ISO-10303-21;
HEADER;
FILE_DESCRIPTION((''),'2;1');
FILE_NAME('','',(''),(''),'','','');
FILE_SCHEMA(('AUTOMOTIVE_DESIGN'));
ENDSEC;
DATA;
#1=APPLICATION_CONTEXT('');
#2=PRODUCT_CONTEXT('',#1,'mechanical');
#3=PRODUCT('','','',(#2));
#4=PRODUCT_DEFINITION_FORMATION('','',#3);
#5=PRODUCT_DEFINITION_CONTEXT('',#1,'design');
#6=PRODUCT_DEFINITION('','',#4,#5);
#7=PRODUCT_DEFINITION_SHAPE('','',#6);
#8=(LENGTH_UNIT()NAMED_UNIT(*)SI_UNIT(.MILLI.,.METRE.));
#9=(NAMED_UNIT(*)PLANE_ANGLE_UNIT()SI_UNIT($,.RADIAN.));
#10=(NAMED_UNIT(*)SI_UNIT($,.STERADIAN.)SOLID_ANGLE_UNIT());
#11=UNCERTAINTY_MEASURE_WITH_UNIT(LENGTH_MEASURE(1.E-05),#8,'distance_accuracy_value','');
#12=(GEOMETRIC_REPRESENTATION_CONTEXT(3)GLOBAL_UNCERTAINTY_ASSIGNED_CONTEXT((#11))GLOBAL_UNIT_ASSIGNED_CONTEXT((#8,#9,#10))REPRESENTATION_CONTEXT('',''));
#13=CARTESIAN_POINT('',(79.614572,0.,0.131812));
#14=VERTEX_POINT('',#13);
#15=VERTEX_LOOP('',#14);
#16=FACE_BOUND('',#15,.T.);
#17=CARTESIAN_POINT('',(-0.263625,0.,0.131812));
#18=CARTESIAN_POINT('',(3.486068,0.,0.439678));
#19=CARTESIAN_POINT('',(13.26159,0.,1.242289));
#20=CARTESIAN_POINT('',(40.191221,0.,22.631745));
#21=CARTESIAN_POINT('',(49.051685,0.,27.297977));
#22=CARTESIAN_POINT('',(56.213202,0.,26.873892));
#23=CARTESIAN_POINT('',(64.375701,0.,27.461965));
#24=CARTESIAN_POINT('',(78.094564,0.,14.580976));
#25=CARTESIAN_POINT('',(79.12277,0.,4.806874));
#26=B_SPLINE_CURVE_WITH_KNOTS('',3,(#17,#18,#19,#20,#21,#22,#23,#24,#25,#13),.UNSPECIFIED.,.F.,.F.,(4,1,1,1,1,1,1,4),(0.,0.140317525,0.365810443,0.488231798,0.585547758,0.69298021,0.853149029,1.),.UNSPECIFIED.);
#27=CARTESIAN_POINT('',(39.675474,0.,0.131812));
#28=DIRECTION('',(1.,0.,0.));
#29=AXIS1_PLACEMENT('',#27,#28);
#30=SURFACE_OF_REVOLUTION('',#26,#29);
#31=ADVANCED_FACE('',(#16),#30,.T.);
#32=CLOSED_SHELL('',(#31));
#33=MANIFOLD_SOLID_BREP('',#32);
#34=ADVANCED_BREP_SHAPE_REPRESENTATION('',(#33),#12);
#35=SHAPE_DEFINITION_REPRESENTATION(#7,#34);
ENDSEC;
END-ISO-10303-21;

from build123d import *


with BuildPart() as f1:
    # F0 (on Front) → F1 (revolve)
    with BuildSketch(Plane.XZ):
        with BuildLine():
            add(Edge.make_bspline(
                [(-0.263624941, 0.131812194), (3.4860684087, 0.4396776755), (13.2615899292, 1.2422888116), (40.191221329, 22.6317453831), (49.0516848418, 27.2979772116), (56.2132017568, 26.8738915531), (64.3757014133, 27.4619647917), (78.0945644503, 14.5809758349), (79.1227700726, 4.8068736755), (79.614572227, 0.131812194)],
                knots=[0, 0, 0, 0, 0.1403175252, 0.3658104434, 0.4882317984, 0.5855477582, 0.6929802101, 0.8531490289, 1, 1, 1, 1], degree=3))
            Line((-0.263624941, 0.131812194), (79.614572227, 0.131812194))
        make_face()
    revolve(axis=Axis((39.675473643, 0, 0.131812194), (1, 0, 0)))


solid = f1.part
